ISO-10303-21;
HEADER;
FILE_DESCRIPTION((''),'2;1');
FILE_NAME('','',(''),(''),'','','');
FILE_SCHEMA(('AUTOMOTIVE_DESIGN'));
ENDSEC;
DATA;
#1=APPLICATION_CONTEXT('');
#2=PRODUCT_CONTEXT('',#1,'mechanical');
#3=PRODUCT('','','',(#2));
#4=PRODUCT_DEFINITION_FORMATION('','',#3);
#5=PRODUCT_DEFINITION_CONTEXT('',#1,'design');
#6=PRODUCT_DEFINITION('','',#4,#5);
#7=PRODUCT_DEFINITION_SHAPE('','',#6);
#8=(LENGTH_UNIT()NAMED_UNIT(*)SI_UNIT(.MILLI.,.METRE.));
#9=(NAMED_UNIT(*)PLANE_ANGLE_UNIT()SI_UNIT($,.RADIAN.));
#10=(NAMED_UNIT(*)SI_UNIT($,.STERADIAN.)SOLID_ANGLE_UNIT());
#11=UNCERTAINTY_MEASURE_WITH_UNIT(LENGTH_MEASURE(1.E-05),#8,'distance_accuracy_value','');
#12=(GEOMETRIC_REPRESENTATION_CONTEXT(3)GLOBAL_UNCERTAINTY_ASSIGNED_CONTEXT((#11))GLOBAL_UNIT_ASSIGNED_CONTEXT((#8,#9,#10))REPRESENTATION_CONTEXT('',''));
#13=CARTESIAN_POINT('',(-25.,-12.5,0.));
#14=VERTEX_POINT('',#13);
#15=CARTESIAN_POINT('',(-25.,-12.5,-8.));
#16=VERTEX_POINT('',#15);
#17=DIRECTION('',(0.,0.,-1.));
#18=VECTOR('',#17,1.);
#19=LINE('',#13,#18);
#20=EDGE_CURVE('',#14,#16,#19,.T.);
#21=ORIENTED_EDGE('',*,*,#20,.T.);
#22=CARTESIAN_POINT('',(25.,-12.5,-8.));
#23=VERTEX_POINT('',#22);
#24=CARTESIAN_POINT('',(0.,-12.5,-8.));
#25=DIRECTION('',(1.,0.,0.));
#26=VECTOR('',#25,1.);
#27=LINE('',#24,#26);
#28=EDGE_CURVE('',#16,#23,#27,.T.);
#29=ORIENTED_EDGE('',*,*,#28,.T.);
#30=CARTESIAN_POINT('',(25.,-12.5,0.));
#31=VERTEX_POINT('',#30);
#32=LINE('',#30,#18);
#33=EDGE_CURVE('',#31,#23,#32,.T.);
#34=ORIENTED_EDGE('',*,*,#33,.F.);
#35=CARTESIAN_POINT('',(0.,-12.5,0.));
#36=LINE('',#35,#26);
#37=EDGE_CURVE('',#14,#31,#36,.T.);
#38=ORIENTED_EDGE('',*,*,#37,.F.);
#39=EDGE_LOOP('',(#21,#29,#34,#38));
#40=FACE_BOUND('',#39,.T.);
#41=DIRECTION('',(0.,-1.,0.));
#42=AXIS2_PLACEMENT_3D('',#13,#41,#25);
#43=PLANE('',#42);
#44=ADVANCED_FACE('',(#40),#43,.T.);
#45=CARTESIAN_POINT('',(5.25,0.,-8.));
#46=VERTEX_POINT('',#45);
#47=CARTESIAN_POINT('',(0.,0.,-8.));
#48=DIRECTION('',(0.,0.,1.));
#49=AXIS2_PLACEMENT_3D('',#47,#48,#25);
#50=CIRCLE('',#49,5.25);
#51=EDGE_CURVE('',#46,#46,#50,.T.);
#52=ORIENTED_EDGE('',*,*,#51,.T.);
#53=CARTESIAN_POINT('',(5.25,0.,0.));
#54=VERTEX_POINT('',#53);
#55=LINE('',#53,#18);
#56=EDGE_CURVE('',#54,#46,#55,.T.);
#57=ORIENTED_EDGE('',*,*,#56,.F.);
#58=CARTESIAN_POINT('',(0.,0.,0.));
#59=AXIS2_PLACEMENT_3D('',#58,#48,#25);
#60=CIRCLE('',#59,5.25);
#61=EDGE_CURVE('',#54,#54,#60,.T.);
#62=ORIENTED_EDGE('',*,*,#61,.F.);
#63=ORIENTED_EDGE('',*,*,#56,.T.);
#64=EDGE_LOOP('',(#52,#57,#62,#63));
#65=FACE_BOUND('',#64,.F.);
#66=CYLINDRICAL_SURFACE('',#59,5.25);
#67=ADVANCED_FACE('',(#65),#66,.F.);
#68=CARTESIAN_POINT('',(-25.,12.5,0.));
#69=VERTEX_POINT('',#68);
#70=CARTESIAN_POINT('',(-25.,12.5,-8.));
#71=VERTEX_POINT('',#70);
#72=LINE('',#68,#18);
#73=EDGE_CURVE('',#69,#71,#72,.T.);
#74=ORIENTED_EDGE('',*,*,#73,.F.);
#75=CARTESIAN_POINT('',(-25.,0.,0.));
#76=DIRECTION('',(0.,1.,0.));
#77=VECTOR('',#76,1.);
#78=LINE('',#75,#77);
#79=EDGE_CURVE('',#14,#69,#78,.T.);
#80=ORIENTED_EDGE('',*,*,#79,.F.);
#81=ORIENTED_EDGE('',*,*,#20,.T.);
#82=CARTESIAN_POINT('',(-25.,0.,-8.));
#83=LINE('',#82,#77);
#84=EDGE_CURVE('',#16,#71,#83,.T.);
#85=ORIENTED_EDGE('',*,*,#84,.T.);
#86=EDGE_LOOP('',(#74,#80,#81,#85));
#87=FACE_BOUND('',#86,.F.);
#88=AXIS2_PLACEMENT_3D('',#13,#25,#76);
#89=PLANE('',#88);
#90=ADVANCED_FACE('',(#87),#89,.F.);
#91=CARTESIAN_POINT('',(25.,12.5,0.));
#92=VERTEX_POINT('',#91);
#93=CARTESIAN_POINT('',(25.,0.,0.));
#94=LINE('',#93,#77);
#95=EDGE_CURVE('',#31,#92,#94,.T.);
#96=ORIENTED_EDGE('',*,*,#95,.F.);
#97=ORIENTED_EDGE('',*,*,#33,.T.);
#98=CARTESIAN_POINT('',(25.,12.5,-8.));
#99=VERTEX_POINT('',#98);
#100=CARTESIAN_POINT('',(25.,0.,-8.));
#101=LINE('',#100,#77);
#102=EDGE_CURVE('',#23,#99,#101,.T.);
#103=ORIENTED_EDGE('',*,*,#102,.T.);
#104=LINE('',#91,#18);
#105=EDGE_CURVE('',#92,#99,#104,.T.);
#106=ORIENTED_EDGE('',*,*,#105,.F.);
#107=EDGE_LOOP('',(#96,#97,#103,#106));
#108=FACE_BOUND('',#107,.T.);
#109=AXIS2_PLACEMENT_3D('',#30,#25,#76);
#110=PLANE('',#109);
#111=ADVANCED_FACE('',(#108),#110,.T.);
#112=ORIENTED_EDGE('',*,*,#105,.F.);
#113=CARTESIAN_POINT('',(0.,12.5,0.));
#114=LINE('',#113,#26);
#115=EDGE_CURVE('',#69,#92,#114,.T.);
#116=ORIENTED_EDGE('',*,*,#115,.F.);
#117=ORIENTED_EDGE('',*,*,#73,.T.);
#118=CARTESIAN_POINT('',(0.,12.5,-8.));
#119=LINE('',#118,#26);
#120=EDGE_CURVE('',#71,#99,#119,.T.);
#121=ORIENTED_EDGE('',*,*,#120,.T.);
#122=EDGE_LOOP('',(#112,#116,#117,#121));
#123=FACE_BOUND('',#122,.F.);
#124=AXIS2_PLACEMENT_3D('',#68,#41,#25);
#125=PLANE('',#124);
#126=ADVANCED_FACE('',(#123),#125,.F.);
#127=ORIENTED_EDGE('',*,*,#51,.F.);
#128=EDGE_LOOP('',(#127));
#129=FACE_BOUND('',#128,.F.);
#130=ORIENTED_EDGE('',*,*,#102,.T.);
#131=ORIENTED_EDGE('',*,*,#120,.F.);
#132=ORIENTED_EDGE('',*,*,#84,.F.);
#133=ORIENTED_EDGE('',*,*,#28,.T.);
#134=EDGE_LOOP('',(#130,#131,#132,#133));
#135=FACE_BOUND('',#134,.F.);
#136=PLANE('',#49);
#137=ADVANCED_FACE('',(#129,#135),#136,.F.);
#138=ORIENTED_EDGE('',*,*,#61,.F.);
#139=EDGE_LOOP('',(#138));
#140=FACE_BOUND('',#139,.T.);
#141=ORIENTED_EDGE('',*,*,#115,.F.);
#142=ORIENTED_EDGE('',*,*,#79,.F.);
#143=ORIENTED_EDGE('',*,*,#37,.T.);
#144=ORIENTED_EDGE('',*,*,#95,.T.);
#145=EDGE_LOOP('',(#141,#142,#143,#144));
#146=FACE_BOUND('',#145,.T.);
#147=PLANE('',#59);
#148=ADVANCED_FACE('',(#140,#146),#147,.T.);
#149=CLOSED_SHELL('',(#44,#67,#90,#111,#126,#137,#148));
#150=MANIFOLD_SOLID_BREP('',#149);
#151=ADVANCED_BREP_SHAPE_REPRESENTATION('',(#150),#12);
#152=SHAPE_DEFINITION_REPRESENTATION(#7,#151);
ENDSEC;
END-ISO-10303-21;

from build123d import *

# Parameters (mm, degrees)
F0_W     = 50
F0_H     = 25
F1_DEPTH = 8
F2_R     = 5.25
F3_DEPTH = 8.001


with BuildPart() as f1:
    # F0 (on Top) → F1 (new body)
    with BuildSketch(Plane.XY):
        Rectangle(F0_W, F0_H)
    extrude(amount=-F1_DEPTH)

    # F2 (on face) → F3 (cut, through all)
    with BuildSketch(Plane.XY):
        Circle(F2_R)
    extrude(amount=-F3_DEPTH, mode=Mode.SUBTRACT)


solid = f1.part
